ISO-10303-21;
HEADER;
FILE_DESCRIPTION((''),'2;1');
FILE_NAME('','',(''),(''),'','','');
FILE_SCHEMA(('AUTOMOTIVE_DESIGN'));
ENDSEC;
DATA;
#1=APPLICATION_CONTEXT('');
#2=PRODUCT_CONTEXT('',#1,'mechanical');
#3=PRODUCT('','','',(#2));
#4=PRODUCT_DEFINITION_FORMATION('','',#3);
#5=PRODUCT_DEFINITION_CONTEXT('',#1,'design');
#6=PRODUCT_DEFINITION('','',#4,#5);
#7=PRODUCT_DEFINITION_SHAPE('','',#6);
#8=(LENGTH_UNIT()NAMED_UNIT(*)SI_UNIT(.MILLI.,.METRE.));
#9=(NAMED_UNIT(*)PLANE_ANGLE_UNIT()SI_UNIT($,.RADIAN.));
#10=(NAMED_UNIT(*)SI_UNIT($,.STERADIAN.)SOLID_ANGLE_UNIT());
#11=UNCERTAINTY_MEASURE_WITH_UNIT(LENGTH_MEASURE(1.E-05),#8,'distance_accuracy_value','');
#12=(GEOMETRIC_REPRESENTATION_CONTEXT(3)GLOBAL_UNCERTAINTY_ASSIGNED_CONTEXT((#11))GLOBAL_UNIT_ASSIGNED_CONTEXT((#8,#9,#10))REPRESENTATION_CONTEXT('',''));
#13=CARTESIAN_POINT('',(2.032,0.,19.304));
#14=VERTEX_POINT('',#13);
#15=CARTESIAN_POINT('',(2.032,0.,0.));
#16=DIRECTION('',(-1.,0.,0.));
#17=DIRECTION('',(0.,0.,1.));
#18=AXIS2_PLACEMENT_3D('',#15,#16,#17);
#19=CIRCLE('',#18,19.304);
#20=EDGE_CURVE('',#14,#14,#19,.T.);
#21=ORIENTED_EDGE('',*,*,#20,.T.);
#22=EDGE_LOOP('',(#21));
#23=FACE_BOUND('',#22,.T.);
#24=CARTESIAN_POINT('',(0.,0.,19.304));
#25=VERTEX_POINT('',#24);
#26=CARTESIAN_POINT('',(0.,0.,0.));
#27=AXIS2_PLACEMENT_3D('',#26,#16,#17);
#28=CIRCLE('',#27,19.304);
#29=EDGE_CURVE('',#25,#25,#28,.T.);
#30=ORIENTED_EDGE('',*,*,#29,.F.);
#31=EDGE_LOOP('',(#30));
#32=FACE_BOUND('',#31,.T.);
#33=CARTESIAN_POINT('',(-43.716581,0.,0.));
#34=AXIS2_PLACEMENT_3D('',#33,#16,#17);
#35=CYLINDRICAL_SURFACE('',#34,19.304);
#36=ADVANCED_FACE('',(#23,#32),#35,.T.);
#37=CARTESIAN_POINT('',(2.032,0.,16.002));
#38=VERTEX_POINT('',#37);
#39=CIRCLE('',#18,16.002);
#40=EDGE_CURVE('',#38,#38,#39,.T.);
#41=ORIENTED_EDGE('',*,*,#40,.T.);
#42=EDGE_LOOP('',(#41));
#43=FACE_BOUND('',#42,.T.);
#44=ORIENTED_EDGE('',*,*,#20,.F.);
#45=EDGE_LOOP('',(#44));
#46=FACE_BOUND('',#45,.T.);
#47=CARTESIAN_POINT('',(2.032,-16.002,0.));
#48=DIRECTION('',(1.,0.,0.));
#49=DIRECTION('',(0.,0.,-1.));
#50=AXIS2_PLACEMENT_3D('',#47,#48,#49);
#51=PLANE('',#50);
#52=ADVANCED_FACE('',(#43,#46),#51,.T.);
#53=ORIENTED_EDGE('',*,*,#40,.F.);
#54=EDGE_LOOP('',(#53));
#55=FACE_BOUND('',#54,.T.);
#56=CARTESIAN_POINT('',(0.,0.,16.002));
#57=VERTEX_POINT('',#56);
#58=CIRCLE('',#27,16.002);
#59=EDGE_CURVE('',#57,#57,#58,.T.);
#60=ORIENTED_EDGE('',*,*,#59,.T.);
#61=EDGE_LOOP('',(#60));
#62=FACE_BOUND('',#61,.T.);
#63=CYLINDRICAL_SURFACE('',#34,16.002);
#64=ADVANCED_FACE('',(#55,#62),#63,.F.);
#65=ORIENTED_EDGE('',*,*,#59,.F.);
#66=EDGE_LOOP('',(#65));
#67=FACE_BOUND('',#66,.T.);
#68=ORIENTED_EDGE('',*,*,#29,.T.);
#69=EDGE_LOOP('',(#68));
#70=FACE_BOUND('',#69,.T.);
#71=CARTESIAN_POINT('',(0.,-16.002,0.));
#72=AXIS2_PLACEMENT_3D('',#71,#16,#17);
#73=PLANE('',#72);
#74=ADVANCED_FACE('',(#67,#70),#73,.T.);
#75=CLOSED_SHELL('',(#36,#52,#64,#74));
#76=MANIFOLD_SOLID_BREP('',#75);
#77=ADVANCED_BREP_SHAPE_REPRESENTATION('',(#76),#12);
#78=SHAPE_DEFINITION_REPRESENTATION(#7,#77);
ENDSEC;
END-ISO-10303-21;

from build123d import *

# Parameters (mm, degrees)
SKETCH1_W = 2.032
SKETCH1_H = 3.302


with BuildPart() as part:
    # Sketch1 → Revolve1 (revolve)
    with BuildSketch(Plane.XY, mode=Mode.PRIVATE) as revolve1_sk:
        with Locations((1.016, -17.653)):
            Rectangle(SKETCH1_W, SKETCH1_H)
    revolve(revolve1_sk.sketch.rotate(Axis((-43.716580756, 0, 0), (1, 0, 0)), 270), axis=Axis((-43.716580756, 0, 0), (1, 0, 0)))  # turned: the seam where the file's is


solid = part.part
